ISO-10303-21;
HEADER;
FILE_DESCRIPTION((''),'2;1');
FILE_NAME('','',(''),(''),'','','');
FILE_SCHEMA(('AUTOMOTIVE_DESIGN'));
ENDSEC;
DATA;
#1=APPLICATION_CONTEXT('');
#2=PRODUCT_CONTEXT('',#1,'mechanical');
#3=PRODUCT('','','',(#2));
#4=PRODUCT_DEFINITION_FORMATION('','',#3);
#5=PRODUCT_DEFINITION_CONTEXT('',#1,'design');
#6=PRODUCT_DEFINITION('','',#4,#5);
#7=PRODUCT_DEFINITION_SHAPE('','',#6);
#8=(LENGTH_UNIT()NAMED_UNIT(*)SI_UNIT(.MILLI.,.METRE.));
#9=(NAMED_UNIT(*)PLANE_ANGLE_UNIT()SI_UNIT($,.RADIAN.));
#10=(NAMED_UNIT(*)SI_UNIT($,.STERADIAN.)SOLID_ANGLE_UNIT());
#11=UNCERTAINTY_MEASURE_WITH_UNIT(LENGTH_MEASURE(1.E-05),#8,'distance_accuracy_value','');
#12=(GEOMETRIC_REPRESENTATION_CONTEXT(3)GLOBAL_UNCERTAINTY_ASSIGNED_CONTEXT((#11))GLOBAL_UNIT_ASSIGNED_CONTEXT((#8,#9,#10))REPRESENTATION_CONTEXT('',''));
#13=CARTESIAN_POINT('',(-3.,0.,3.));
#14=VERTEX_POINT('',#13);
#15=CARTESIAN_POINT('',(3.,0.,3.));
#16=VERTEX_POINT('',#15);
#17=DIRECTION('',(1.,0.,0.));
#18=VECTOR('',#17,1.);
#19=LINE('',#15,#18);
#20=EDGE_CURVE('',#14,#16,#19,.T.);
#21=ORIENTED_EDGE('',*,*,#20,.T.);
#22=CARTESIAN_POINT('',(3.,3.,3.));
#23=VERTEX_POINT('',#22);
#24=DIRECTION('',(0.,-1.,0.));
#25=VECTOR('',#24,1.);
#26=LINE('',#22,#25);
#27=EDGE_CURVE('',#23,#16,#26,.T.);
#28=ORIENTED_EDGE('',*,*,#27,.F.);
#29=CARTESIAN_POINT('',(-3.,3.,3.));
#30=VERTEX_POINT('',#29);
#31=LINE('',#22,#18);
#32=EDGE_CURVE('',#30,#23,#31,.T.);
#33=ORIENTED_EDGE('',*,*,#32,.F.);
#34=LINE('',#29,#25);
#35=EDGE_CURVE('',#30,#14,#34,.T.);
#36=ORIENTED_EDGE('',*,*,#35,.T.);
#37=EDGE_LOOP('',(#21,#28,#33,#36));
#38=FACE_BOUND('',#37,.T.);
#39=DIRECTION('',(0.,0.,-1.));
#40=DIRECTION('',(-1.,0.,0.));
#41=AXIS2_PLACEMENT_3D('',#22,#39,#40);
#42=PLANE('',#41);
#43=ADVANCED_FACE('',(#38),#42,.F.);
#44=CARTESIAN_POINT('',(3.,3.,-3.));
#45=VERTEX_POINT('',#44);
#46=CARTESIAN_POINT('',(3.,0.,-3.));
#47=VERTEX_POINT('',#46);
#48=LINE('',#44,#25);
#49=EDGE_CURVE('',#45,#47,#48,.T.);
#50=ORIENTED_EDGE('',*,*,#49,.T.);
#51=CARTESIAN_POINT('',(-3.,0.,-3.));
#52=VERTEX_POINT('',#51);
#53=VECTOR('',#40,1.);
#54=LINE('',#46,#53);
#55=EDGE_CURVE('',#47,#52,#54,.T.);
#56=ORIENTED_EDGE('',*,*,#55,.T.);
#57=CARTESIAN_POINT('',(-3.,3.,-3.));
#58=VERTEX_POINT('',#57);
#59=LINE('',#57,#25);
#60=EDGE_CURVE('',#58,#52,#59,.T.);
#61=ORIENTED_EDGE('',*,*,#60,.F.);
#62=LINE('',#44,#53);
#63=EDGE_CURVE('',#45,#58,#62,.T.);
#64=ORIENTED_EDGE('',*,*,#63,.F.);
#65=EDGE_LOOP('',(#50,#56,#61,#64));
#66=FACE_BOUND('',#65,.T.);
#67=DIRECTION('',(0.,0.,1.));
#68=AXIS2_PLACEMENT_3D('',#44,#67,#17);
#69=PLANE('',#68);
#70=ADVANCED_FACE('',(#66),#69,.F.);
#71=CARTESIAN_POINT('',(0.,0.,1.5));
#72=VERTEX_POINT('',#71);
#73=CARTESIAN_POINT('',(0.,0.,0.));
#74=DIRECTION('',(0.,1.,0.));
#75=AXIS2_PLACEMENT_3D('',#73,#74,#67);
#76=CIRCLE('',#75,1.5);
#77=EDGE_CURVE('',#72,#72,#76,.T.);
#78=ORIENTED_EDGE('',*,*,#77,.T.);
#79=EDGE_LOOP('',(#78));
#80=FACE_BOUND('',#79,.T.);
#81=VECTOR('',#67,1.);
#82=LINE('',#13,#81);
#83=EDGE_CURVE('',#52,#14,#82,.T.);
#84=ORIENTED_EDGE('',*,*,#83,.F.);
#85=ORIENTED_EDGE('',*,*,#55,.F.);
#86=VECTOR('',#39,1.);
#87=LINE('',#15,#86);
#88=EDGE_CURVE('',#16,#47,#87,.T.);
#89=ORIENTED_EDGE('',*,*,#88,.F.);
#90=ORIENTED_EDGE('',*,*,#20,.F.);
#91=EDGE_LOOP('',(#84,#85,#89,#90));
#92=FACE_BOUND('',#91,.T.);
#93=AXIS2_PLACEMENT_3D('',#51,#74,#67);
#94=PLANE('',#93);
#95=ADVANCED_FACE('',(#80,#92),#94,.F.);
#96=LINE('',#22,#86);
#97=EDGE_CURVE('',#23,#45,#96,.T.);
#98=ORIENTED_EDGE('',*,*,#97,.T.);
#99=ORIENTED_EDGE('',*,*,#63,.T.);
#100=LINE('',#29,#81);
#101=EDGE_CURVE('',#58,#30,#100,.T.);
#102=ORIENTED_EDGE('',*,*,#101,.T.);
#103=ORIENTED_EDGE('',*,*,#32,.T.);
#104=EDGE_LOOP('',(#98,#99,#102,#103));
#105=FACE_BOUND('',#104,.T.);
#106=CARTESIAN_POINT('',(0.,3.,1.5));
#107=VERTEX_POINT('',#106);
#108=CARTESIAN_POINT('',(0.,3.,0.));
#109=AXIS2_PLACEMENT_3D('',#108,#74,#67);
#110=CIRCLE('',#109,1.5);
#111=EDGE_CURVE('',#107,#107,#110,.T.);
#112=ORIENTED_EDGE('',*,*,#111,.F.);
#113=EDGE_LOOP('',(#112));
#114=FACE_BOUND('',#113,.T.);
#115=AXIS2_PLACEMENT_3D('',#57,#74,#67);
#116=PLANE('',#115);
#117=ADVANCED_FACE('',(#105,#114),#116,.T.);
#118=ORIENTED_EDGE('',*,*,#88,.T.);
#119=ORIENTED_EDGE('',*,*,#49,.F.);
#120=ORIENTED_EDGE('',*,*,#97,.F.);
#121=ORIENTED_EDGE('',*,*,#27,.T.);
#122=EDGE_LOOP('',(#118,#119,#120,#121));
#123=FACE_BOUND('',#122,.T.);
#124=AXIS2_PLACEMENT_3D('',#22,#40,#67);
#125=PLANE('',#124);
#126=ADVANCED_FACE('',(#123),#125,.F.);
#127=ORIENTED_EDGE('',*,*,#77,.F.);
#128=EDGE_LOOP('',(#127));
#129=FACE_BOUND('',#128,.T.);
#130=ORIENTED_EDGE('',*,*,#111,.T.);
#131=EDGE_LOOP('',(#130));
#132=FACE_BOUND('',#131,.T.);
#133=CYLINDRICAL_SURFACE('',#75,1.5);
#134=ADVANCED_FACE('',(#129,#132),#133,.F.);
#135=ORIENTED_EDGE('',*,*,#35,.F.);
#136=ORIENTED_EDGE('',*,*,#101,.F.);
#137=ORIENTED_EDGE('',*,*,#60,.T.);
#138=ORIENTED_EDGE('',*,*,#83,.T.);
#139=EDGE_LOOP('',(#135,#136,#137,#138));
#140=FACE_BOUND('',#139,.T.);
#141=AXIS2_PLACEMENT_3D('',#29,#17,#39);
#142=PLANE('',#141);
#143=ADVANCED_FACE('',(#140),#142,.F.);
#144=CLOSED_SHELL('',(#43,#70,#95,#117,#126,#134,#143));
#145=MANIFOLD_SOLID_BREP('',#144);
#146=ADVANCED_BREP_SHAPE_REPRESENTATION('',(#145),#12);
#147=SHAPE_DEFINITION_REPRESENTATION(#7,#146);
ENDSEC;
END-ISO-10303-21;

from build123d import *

# Parameters (mm, degrees)
SKETCH1_W           = 6
SKETCH1_H           = 6
BOSS_EXTRUDE1_DEPTH = 3
SKETCH2_R           = 1.5
CUT_EXTRUDE1_DEPTH  = 6.196152423


with BuildPart() as part:
    # Sketch1 → Boss-Extrude1 (new body)
    with BuildSketch(Plane(origin=(0, 0, 0), x_dir=(1, 0, 0), z_dir=(0, 1, 0))):
        Rectangle(SKETCH1_W, SKETCH1_H)
    extrude(amount=BOSS_EXTRUDE1_DEPTH)

    # Sketch2 → Cut-Extrude1 (cut, through all)
    with BuildSketch(Plane(origin=(0, 3, 0), x_dir=(-1, 0, 0), z_dir=(0, 1, 0))):
        with Locations(Location((0, 0, 0), (0, 0, 90))):
            Circle(SKETCH2_R)
    extrude(amount=-CUT_EXTRUDE1_DEPTH, mode=Mode.SUBTRACT)


solid = part.part
